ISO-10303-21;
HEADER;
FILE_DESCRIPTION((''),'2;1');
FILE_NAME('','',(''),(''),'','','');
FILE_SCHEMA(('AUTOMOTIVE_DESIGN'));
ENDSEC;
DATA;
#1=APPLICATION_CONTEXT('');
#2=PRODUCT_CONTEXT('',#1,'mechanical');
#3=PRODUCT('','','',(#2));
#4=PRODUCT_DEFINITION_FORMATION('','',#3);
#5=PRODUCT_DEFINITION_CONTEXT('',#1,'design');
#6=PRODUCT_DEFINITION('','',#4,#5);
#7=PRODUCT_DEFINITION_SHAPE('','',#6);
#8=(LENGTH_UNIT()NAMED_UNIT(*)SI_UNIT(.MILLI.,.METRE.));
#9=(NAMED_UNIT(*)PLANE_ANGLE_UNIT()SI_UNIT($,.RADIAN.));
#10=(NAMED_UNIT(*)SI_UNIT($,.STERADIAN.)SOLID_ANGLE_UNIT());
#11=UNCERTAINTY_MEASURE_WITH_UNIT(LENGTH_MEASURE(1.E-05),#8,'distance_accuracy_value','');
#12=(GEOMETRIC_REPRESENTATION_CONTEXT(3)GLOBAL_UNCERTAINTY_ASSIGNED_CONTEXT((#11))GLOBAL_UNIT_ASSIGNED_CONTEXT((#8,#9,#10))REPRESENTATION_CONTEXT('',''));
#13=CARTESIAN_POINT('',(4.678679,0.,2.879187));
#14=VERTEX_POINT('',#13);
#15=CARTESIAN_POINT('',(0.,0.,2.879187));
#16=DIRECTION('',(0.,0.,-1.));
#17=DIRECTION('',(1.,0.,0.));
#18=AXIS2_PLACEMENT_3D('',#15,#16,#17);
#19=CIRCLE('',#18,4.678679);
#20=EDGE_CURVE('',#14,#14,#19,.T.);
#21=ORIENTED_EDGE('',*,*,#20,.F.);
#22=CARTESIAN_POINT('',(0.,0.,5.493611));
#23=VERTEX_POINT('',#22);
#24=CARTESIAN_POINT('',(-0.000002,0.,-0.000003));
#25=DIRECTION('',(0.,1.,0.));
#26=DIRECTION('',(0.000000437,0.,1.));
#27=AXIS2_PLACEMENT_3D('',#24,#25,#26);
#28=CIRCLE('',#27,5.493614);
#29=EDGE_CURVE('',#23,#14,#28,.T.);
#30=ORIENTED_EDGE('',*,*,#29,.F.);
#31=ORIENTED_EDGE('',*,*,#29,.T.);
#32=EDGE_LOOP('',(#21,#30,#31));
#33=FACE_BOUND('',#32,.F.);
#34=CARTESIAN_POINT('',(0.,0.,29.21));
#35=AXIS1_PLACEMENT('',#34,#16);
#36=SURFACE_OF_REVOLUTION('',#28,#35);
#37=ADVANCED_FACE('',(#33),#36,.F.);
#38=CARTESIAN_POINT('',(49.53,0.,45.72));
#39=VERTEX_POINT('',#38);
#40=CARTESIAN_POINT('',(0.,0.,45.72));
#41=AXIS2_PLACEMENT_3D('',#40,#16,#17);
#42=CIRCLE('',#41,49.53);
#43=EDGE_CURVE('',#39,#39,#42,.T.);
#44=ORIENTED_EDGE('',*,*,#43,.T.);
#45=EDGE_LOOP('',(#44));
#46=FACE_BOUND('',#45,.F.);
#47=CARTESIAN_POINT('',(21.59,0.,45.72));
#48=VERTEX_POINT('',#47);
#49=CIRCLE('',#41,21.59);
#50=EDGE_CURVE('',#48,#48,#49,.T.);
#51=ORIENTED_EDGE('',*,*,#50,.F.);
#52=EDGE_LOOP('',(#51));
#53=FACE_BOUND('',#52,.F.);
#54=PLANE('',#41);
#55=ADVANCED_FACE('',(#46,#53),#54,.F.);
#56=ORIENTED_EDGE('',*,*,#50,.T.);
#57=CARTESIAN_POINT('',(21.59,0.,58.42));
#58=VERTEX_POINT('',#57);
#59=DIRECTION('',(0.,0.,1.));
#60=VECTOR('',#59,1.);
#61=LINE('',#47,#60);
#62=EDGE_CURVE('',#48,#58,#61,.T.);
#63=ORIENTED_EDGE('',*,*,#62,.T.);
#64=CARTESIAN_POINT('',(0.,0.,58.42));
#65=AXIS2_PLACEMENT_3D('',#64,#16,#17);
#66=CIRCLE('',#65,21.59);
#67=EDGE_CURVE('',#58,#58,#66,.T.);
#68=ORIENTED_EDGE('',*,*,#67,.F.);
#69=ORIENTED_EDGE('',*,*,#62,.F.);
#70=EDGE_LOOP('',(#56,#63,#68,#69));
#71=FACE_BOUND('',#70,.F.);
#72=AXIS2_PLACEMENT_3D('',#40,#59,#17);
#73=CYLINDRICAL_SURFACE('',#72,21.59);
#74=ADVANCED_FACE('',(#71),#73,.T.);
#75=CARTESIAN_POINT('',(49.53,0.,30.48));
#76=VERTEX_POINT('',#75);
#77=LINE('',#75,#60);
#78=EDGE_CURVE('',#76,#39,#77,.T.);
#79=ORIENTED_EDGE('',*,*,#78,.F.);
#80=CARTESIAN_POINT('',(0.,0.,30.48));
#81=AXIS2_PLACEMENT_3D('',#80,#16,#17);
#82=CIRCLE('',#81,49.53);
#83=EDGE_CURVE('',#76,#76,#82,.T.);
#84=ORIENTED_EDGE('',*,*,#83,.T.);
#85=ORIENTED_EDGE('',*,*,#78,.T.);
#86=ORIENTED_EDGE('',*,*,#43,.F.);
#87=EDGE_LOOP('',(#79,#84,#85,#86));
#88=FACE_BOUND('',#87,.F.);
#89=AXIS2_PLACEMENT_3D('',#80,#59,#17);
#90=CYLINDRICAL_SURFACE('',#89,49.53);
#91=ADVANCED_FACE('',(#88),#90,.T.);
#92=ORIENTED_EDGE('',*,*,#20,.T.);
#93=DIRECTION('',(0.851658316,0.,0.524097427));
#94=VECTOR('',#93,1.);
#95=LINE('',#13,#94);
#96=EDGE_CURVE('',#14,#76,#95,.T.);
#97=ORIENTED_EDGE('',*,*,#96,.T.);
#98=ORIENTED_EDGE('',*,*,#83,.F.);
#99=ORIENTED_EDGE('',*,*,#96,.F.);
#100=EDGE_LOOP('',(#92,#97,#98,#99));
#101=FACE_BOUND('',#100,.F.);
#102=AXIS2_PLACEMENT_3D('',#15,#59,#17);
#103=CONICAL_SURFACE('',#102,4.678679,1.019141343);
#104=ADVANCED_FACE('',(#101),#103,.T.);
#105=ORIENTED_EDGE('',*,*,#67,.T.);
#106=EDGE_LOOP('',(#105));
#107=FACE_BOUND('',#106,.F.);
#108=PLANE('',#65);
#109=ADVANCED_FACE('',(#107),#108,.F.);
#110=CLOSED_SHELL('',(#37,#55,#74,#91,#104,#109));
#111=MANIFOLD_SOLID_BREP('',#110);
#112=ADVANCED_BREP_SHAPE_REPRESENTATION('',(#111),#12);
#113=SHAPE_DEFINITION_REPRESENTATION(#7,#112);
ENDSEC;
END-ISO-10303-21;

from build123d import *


with BuildPart() as f1:
    # F0 (on Front) → F1 (revolve)
    with BuildSketch(Plane.XZ):
        with BuildLine():
            ThreePointArc((0, 5.493611), (2.679797, 4.795669), (4.678679, 2.879187))
            Line((4.678679, 2.879187), (49.53, 30.48))
            Line((49.53, 30.48), (49.53, 45.72))
            Line((49.53, 45.72), (21.59, 45.72))
            Line((21.59, 45.72), (21.59, 58.42))
            Line((21.59, 58.42), (0, 58.42))
            Line((0, 58.42), (0, 5.493611))
        make_face()
    revolve(axis=Axis((0, 0, 29.21), (0, 0, -1)))


solid = f1.part
